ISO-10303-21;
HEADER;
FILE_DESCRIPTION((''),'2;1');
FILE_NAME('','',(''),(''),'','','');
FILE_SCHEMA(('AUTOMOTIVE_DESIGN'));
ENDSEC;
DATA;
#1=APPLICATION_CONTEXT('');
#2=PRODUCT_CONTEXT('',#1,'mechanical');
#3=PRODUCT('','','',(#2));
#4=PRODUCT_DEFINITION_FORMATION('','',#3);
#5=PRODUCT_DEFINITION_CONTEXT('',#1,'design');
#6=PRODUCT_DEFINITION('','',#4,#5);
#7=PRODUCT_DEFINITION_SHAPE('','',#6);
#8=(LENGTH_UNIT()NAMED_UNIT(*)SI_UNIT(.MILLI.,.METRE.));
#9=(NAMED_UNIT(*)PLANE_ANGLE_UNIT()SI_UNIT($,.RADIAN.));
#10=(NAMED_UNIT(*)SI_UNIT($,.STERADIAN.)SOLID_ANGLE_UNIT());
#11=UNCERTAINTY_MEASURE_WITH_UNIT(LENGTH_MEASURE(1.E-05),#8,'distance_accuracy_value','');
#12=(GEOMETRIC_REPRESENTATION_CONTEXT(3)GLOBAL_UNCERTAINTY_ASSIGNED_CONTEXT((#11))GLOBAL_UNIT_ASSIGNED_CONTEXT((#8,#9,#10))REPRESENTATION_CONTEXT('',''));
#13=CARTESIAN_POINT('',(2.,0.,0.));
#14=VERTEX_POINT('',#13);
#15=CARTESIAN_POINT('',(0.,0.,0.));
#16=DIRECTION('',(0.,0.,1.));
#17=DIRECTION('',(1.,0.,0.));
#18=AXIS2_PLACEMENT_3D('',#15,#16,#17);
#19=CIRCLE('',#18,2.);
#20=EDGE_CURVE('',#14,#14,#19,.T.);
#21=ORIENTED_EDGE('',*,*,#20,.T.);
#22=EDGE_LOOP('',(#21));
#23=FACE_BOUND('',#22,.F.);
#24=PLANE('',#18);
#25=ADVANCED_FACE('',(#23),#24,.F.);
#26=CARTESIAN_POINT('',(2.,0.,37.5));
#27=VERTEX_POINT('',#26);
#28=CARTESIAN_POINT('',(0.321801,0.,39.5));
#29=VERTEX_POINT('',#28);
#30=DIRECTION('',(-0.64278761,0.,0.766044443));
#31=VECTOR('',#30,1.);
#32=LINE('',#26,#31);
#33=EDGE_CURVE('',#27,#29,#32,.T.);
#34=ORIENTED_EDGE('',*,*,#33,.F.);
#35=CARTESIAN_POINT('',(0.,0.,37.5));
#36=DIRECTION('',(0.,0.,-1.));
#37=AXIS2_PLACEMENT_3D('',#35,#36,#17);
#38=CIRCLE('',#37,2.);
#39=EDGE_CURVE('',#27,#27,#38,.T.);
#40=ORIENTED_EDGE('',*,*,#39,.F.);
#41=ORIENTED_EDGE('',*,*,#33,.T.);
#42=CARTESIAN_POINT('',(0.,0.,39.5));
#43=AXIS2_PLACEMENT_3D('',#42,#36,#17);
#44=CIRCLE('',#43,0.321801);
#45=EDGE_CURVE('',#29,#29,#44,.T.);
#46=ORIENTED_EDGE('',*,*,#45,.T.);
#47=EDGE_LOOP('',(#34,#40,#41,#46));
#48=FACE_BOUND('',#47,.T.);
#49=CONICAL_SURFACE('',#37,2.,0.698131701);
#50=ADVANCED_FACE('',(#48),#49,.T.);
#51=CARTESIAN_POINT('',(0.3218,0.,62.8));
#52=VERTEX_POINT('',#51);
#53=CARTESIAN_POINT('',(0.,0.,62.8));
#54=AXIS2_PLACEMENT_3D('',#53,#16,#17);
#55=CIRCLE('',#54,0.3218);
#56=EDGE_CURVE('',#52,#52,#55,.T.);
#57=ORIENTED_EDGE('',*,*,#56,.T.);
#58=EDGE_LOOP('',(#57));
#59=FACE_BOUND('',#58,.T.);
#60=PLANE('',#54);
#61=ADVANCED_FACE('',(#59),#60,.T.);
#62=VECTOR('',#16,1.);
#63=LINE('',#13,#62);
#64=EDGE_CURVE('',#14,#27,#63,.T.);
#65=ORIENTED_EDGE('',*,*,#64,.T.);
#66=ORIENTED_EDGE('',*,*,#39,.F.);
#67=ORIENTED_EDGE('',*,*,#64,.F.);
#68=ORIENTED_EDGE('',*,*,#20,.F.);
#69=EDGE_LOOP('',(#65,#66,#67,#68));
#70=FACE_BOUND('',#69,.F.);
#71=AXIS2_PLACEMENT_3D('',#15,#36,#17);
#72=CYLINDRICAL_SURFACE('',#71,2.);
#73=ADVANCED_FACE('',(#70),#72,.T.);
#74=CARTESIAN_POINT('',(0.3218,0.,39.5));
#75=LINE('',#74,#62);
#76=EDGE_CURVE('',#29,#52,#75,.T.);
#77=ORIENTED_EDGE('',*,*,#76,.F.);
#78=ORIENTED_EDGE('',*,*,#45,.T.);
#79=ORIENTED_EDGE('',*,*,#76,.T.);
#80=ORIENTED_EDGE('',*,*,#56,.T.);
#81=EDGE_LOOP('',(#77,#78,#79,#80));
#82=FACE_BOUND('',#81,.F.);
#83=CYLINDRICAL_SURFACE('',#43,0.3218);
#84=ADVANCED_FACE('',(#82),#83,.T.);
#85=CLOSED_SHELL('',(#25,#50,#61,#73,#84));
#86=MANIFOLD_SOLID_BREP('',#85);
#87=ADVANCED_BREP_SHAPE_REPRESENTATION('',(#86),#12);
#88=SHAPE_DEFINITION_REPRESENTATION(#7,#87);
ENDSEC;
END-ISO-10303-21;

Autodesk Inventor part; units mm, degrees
ref_plane "YZ Plane" through (0, 0, 0) normal (1, 0, 0) x (0, 1, 0)
sketch "Sketch1" plane through (0, 0, 0) normal (0, 0, 1) x (1, 0, 0)
  circle A0 centre (0, 0) radius 6 projected
  circle A1 centre (0, 0) radius 2
  point P0 (0, 0)
  dimension "d0" = 4
ref_plane "Work Plane1" through (-3.5125, -3.5125, 37.5) normal (0, 0, 1) x (0.9087, 0.4175, 0)
extrude "Extrusion1" add sketch "Sketch1" along normal up to surface (37.5 mm away) contours A1
sketch "Sketch2" plane through (0, 0, 37.5) normal (0, 0, 1) x (1, 0, 0)
  circle A0 centre (0, 0) radius 2 projected
  point P0 (0, 0)
extrude "Extrusion2" add sketch "Sketch2" along normal blind 2 draft -40
sketch "Sketch3" plane through (0, 0, 39.5) normal (0, 0, 1) x (1, 0, 0)
  circle A0 centre (0, 0) radius 0.3218 projected
  point P0 (0, 0)
ref_plane "Work Plane2" through (-0.9, -20.4499, 62.8) normal (0, 0, 1) x (1, 0, 0)
extrude "Extrusion3" add sketch "Sketch3" along normal up to surface (23.3 mm away)
properties part number "cellSTORM_laserbeam"
